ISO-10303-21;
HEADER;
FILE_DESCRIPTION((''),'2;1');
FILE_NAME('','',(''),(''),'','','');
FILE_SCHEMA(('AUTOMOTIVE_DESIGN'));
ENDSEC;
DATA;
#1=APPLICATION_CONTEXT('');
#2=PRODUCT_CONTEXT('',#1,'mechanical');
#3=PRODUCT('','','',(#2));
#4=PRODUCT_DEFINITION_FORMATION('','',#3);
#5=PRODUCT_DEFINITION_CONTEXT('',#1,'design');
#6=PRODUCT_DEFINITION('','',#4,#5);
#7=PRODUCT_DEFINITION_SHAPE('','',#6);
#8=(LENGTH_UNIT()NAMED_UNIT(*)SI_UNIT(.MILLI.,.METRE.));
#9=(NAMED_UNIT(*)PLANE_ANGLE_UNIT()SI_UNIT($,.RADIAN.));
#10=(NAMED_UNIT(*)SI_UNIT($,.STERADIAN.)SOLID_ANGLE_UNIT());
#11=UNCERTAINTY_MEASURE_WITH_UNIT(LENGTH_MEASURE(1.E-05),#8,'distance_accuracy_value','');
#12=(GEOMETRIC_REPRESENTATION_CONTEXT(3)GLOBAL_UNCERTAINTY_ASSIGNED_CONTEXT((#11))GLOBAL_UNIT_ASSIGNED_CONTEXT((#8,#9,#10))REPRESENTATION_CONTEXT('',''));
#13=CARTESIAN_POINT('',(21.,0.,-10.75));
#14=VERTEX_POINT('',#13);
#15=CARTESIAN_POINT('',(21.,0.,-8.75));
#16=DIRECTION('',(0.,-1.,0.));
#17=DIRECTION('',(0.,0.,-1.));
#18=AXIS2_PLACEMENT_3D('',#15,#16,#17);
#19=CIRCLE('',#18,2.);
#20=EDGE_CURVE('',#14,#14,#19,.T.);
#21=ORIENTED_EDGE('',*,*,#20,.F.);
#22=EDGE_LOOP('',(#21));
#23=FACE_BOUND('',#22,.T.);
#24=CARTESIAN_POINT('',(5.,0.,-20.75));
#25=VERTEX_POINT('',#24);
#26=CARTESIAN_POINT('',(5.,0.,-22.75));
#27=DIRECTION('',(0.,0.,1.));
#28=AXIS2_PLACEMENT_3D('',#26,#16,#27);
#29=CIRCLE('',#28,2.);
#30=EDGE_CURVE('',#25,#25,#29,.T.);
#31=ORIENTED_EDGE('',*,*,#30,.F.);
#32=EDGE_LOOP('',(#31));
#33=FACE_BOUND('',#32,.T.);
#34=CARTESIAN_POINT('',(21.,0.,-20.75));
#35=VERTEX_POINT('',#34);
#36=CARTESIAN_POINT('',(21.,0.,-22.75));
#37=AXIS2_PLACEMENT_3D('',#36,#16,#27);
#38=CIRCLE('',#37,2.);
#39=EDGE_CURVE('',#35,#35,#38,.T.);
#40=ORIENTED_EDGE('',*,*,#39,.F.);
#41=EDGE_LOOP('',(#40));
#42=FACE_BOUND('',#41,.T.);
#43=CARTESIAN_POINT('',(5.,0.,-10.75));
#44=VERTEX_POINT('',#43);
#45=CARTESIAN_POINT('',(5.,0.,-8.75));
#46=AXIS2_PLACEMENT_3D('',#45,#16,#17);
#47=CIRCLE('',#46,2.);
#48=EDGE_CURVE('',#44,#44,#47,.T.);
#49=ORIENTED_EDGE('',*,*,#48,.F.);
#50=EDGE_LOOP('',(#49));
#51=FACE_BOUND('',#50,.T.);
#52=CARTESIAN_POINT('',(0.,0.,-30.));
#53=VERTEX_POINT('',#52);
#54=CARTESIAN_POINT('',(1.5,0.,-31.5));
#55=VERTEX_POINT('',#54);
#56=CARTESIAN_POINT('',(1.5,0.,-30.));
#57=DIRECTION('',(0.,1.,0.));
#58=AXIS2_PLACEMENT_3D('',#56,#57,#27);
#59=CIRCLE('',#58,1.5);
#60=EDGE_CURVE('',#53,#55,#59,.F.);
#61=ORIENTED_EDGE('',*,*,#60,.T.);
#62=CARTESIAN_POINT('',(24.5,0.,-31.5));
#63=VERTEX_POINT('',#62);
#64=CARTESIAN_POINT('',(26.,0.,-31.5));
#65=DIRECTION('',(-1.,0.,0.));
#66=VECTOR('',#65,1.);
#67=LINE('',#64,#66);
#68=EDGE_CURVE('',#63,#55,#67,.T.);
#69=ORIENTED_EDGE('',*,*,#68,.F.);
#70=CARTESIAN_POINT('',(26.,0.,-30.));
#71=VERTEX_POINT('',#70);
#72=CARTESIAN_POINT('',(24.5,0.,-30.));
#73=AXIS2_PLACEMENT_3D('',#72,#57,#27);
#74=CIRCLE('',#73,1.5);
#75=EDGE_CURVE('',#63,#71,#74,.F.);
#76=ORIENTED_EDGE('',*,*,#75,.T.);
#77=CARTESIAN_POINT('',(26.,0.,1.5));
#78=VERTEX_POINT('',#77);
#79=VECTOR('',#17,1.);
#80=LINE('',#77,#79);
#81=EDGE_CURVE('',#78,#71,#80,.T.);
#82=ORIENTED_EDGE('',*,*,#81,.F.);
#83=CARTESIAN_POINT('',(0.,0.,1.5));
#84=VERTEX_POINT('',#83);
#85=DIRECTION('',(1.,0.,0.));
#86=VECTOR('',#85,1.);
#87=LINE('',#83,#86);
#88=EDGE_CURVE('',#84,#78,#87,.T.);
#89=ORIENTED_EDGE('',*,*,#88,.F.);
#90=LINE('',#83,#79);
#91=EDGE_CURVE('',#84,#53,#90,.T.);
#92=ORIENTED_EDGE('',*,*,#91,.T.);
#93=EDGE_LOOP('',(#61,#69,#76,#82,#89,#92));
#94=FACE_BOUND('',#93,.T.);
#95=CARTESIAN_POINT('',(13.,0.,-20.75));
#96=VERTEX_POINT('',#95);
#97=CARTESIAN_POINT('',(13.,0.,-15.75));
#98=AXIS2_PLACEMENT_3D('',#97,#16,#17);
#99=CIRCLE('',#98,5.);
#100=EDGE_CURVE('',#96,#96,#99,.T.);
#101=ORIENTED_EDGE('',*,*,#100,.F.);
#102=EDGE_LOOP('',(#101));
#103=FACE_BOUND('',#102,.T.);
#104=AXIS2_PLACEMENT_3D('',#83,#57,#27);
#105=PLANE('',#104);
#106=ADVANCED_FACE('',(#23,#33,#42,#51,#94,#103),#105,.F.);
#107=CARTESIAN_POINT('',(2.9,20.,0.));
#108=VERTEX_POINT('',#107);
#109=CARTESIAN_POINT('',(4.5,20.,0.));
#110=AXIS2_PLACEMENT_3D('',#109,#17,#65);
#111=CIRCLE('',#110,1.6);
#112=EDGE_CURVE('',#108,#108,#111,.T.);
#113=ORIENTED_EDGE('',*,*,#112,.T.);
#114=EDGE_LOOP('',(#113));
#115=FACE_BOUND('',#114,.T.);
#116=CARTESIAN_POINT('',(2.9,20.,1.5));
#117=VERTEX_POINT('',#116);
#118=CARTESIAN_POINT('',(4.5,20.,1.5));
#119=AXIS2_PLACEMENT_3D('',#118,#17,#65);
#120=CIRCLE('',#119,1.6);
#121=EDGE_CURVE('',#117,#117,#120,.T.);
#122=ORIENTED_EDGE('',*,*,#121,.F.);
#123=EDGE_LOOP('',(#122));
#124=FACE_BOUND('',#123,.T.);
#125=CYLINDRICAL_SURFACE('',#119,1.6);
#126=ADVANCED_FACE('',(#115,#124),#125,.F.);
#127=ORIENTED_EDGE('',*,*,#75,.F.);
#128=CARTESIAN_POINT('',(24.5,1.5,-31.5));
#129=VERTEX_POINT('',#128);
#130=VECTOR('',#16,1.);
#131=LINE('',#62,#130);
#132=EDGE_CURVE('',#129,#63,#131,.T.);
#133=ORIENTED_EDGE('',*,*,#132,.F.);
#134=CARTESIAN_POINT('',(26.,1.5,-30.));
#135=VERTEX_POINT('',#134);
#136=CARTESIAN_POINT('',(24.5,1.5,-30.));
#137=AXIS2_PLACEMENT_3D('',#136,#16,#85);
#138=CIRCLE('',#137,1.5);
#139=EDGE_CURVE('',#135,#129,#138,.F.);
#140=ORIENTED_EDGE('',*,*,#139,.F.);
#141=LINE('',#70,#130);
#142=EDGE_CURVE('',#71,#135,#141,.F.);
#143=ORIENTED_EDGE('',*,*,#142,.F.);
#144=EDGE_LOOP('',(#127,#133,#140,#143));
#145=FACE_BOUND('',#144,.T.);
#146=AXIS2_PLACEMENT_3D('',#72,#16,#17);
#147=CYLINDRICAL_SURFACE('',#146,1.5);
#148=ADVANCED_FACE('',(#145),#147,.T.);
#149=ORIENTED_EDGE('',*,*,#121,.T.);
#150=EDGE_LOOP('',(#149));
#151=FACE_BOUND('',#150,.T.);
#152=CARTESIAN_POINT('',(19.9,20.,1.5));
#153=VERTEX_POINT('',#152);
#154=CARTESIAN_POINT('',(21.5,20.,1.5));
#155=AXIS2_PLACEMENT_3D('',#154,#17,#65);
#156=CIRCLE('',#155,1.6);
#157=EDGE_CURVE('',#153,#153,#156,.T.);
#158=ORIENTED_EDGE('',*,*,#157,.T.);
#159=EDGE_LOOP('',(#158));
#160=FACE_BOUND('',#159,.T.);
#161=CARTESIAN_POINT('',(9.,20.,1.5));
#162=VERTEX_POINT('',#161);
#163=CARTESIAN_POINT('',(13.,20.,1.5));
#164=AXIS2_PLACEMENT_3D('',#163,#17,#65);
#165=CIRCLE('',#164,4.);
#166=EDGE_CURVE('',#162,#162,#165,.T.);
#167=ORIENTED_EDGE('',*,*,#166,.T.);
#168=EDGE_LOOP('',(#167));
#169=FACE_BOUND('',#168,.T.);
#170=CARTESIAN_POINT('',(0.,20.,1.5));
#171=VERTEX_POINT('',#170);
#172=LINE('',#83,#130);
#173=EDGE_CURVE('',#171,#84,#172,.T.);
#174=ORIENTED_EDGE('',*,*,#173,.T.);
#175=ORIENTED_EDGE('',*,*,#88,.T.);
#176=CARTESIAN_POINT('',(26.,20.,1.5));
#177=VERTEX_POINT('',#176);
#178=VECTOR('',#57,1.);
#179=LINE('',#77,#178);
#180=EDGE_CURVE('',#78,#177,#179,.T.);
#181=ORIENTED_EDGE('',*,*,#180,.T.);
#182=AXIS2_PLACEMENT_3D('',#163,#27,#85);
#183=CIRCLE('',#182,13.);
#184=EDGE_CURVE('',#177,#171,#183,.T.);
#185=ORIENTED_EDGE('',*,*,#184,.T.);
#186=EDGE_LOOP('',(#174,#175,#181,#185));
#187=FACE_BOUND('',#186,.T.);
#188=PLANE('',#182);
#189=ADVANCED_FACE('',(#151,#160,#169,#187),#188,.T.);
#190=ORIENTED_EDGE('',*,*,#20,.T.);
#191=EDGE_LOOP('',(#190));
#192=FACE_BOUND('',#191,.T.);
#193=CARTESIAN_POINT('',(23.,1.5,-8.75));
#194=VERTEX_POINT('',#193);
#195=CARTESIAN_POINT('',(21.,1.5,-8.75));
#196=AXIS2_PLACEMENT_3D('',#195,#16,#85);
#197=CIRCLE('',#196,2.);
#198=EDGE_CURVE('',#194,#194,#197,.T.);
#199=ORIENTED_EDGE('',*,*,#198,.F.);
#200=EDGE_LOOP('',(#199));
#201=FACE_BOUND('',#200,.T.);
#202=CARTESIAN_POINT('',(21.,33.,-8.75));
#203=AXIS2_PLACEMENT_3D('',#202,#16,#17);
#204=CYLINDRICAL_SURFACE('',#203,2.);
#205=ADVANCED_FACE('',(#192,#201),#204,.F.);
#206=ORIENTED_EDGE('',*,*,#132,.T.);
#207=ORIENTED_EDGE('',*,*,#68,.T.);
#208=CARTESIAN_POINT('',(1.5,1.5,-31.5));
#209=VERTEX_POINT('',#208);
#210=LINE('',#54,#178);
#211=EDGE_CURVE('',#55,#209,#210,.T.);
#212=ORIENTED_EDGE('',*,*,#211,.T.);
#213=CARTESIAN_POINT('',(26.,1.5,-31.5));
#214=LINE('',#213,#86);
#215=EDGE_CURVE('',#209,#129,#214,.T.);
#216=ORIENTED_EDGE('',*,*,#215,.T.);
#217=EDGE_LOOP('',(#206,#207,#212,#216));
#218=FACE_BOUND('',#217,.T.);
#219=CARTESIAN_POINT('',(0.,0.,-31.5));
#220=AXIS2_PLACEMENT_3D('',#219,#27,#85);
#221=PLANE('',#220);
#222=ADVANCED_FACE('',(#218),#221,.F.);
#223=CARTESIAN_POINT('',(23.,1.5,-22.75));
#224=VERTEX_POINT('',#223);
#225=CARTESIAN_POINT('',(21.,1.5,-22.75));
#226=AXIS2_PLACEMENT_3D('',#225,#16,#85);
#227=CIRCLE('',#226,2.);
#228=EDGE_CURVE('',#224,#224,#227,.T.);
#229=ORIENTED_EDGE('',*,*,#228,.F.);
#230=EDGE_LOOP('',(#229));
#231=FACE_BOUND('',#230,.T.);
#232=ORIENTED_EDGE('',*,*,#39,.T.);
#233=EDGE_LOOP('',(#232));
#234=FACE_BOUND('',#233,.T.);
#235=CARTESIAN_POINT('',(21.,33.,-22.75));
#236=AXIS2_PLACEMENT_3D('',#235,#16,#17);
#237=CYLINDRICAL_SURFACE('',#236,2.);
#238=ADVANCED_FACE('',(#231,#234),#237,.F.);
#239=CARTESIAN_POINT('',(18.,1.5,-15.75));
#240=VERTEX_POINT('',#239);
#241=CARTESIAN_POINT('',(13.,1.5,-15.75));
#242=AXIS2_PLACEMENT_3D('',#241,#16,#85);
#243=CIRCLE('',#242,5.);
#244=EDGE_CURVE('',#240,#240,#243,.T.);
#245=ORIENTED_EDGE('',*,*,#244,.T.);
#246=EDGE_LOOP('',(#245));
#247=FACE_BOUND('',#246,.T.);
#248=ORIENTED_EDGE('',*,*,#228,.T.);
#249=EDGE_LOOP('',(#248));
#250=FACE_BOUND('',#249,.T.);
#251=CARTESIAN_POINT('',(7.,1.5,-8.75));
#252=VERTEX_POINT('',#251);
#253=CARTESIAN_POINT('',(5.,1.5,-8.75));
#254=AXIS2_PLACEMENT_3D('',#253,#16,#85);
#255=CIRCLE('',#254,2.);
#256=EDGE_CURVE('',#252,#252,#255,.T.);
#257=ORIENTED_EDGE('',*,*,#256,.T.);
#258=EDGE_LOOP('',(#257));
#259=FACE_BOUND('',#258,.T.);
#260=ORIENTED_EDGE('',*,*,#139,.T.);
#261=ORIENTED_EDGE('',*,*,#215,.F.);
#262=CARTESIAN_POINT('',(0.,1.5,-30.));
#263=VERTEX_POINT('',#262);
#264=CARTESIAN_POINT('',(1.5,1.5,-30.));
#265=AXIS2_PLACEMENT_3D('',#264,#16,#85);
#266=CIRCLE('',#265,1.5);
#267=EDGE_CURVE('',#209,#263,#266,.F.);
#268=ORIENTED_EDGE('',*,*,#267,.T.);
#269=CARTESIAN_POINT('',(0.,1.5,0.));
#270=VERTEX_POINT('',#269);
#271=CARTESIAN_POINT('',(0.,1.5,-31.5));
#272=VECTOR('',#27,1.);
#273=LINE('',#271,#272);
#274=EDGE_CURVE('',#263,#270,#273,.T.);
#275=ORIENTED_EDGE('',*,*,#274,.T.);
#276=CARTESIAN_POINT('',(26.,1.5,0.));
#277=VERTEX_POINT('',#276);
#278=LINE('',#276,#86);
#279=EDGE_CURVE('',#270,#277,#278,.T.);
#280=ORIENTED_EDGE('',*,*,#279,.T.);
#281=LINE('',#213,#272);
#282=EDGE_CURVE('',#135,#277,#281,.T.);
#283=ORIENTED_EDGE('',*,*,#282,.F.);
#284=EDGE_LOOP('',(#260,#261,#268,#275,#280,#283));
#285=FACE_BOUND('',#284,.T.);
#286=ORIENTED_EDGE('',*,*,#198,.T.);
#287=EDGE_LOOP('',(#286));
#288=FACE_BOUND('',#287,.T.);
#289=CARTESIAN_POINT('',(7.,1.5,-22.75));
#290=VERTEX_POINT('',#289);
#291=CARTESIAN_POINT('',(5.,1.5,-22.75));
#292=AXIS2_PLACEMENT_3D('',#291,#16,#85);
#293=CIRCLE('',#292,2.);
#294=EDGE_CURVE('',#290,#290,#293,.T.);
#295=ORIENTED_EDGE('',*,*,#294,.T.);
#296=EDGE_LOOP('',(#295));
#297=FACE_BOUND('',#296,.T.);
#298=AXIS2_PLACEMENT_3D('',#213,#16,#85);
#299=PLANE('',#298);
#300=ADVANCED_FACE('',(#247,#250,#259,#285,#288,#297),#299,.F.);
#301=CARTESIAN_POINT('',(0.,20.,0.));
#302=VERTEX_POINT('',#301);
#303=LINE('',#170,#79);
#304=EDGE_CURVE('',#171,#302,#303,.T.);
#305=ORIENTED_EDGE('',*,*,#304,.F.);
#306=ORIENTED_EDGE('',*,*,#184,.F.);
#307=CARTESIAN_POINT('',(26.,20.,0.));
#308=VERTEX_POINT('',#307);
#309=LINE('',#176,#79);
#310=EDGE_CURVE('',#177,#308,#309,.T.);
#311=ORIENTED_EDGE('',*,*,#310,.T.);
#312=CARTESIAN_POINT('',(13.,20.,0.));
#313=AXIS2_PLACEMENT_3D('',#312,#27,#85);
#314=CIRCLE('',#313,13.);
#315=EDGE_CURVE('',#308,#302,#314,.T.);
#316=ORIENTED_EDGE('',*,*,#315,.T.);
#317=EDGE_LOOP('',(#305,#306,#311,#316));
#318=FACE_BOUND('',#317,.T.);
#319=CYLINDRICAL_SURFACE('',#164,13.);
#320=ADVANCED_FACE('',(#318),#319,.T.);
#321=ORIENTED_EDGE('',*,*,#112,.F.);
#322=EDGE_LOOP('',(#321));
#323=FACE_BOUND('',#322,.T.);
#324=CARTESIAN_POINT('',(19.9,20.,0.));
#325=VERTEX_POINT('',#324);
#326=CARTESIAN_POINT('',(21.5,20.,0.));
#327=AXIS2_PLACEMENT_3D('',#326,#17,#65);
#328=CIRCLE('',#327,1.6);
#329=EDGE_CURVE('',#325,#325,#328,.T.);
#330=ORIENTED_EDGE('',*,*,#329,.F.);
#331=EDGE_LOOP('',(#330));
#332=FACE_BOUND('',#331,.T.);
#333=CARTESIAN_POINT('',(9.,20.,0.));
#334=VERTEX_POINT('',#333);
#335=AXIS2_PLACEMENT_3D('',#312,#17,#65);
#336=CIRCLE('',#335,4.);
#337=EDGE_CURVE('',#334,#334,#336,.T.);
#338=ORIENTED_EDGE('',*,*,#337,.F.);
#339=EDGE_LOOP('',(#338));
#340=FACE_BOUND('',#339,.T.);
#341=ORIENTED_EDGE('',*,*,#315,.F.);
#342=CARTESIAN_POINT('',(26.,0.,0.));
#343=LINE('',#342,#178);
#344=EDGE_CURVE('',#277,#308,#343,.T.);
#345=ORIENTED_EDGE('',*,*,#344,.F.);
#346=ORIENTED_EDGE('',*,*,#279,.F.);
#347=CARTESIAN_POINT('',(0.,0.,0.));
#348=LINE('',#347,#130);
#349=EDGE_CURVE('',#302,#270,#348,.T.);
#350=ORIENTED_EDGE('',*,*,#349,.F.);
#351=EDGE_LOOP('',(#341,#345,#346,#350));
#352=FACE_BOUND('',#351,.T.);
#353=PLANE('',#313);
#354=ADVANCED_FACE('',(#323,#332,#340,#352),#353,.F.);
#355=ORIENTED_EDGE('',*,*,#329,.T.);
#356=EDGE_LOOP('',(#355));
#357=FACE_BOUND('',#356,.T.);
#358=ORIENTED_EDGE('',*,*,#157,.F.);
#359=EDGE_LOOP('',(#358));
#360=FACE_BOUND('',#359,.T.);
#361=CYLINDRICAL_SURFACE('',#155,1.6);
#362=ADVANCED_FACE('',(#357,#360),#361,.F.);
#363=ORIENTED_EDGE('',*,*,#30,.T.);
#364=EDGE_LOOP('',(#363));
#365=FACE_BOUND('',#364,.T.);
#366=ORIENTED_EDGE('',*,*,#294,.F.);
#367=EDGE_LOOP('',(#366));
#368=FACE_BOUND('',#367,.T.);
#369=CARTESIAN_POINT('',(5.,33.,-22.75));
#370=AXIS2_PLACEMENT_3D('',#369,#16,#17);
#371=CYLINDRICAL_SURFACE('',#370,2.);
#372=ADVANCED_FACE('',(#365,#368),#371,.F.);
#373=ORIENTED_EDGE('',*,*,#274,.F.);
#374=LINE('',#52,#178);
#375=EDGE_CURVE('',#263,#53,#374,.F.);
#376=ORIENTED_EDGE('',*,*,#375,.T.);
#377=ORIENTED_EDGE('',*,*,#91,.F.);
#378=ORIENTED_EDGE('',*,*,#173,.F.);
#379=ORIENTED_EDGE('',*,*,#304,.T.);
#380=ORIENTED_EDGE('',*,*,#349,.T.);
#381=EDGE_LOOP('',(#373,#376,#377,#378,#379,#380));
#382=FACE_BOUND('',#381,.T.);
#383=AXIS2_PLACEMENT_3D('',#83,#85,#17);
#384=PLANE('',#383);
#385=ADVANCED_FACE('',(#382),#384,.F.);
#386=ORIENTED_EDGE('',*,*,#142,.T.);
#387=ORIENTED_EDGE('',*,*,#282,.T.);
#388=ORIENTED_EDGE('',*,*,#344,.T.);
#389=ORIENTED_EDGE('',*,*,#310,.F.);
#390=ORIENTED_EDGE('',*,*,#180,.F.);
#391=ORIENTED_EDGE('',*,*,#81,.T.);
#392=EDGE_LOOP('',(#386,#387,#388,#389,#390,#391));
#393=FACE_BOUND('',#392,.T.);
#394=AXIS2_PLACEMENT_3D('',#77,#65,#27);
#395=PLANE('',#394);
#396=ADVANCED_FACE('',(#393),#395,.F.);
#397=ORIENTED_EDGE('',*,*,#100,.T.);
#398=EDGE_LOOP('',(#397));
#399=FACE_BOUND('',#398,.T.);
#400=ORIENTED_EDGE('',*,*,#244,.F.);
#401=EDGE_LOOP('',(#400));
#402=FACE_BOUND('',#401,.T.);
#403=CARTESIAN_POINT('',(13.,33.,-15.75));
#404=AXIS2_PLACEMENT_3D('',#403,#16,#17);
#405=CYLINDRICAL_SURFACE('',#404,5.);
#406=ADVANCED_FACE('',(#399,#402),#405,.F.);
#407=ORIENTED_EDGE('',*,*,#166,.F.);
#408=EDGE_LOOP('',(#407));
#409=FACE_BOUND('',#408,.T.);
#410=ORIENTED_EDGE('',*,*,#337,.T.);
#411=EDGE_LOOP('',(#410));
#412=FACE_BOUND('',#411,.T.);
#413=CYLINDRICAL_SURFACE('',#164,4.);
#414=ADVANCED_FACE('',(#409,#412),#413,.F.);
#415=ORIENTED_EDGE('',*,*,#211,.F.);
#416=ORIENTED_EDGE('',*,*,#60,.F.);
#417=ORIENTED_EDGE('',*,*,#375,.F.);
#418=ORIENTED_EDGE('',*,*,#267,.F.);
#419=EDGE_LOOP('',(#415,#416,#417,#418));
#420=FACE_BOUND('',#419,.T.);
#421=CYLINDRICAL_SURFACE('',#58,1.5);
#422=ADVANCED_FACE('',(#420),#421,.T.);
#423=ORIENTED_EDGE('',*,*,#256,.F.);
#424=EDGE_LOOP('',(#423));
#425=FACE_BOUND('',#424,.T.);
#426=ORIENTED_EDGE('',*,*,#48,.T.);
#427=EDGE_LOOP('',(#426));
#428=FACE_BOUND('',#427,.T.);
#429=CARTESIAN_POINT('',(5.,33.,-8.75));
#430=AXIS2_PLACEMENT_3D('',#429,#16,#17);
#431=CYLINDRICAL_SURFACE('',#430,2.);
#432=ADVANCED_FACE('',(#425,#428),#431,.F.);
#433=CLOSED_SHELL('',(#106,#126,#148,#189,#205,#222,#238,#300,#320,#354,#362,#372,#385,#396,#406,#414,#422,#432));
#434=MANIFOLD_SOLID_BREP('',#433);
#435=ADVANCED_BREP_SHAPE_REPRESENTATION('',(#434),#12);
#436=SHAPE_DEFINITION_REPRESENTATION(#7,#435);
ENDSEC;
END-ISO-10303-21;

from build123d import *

# Parameters (mm, degrees)
BOSS_EXTRUDE1_DEPTH = 1.5
SKETCH2_R           = 4
SKETCH2_R_2         = 1.6
CUT_EXTRUDE1_DEPTH  = 2.5
SKETCH3_W           = 26
SKETCH3_H           = 1.5
BOSS_EXTRUDE4_DEPTH = 31.5
SKETCH4_R           = 5
SKETCH4_R_2         = 2
CUT_EXTRUDE2_DEPTH  = 34
FILLET1_R           = 1.5


with BuildPart() as part:
    # Sketch1 → Boss-Extrude1 (new body)
    with BuildSketch(Plane.XY):
        with BuildLine():
            Line((0, 0), (26, 0))
            Line((26, 0), (26, 20))
            ThreePointArc((26, 20), (13, 33), (0, 20))
            Line((0, 20), (0, 0))
        make_face()
    extrude(amount=BOSS_EXTRUDE1_DEPTH)

    # Sketch2 → Cut-Extrude1 (cut, through all)
    with BuildSketch(Plane(origin=(0, 0, 0), x_dir=(-1, 0, 0), z_dir=(0, 0, -1))):
        with Locations((-13, 20)):
            Circle(SKETCH2_R)
        with Locations((-21.5, 20)):
            Circle(SKETCH2_R_2)
        with Locations((-4.5, 20)):
            Circle(SKETCH2_R_2)
    extrude(amount=-CUT_EXTRUDE1_DEPTH, mode=Mode.SUBTRACT)

    # Sketch3 → Boss-Extrude4 (add)
    with BuildSketch(Plane(origin=(0, 0, 0), x_dir=(-1, 0, 0), z_dir=(0, 0, -1))):
        with Locations((-13, 0.75)):
            Rectangle(SKETCH3_W, SKETCH3_H)
    extrude(amount=BOSS_EXTRUDE4_DEPTH)

    # Sketch4 → Cut-Extrude2 (cut, through all)
    with BuildSketch(Plane.XZ):
        with Locations((13, -15.75)):
            Circle(SKETCH4_R)
        with Locations((5, -8.75)):
            Circle(SKETCH4_R_2)
        with Locations((21, -8.75)):
            Circle(SKETCH4_R_2)
        with Locations((21, -22.75)):
            Circle(SKETCH4_R_2)
        with Locations((5, -22.75)):
            Circle(SKETCH4_R_2)
    extrude(amount=-CUT_EXTRUDE2_DEPTH, mode=Mode.SUBTRACT)

    # Fillet1
    fillet1_edges = [part.edges().sort_by_distance(p)[0] for p in [
        (26, 0.75, -31.5),
        (0, 0.75, -31.5),
    ]]
    fillet(fillet1_edges, radius=FILLET1_R)


solid = part.part
